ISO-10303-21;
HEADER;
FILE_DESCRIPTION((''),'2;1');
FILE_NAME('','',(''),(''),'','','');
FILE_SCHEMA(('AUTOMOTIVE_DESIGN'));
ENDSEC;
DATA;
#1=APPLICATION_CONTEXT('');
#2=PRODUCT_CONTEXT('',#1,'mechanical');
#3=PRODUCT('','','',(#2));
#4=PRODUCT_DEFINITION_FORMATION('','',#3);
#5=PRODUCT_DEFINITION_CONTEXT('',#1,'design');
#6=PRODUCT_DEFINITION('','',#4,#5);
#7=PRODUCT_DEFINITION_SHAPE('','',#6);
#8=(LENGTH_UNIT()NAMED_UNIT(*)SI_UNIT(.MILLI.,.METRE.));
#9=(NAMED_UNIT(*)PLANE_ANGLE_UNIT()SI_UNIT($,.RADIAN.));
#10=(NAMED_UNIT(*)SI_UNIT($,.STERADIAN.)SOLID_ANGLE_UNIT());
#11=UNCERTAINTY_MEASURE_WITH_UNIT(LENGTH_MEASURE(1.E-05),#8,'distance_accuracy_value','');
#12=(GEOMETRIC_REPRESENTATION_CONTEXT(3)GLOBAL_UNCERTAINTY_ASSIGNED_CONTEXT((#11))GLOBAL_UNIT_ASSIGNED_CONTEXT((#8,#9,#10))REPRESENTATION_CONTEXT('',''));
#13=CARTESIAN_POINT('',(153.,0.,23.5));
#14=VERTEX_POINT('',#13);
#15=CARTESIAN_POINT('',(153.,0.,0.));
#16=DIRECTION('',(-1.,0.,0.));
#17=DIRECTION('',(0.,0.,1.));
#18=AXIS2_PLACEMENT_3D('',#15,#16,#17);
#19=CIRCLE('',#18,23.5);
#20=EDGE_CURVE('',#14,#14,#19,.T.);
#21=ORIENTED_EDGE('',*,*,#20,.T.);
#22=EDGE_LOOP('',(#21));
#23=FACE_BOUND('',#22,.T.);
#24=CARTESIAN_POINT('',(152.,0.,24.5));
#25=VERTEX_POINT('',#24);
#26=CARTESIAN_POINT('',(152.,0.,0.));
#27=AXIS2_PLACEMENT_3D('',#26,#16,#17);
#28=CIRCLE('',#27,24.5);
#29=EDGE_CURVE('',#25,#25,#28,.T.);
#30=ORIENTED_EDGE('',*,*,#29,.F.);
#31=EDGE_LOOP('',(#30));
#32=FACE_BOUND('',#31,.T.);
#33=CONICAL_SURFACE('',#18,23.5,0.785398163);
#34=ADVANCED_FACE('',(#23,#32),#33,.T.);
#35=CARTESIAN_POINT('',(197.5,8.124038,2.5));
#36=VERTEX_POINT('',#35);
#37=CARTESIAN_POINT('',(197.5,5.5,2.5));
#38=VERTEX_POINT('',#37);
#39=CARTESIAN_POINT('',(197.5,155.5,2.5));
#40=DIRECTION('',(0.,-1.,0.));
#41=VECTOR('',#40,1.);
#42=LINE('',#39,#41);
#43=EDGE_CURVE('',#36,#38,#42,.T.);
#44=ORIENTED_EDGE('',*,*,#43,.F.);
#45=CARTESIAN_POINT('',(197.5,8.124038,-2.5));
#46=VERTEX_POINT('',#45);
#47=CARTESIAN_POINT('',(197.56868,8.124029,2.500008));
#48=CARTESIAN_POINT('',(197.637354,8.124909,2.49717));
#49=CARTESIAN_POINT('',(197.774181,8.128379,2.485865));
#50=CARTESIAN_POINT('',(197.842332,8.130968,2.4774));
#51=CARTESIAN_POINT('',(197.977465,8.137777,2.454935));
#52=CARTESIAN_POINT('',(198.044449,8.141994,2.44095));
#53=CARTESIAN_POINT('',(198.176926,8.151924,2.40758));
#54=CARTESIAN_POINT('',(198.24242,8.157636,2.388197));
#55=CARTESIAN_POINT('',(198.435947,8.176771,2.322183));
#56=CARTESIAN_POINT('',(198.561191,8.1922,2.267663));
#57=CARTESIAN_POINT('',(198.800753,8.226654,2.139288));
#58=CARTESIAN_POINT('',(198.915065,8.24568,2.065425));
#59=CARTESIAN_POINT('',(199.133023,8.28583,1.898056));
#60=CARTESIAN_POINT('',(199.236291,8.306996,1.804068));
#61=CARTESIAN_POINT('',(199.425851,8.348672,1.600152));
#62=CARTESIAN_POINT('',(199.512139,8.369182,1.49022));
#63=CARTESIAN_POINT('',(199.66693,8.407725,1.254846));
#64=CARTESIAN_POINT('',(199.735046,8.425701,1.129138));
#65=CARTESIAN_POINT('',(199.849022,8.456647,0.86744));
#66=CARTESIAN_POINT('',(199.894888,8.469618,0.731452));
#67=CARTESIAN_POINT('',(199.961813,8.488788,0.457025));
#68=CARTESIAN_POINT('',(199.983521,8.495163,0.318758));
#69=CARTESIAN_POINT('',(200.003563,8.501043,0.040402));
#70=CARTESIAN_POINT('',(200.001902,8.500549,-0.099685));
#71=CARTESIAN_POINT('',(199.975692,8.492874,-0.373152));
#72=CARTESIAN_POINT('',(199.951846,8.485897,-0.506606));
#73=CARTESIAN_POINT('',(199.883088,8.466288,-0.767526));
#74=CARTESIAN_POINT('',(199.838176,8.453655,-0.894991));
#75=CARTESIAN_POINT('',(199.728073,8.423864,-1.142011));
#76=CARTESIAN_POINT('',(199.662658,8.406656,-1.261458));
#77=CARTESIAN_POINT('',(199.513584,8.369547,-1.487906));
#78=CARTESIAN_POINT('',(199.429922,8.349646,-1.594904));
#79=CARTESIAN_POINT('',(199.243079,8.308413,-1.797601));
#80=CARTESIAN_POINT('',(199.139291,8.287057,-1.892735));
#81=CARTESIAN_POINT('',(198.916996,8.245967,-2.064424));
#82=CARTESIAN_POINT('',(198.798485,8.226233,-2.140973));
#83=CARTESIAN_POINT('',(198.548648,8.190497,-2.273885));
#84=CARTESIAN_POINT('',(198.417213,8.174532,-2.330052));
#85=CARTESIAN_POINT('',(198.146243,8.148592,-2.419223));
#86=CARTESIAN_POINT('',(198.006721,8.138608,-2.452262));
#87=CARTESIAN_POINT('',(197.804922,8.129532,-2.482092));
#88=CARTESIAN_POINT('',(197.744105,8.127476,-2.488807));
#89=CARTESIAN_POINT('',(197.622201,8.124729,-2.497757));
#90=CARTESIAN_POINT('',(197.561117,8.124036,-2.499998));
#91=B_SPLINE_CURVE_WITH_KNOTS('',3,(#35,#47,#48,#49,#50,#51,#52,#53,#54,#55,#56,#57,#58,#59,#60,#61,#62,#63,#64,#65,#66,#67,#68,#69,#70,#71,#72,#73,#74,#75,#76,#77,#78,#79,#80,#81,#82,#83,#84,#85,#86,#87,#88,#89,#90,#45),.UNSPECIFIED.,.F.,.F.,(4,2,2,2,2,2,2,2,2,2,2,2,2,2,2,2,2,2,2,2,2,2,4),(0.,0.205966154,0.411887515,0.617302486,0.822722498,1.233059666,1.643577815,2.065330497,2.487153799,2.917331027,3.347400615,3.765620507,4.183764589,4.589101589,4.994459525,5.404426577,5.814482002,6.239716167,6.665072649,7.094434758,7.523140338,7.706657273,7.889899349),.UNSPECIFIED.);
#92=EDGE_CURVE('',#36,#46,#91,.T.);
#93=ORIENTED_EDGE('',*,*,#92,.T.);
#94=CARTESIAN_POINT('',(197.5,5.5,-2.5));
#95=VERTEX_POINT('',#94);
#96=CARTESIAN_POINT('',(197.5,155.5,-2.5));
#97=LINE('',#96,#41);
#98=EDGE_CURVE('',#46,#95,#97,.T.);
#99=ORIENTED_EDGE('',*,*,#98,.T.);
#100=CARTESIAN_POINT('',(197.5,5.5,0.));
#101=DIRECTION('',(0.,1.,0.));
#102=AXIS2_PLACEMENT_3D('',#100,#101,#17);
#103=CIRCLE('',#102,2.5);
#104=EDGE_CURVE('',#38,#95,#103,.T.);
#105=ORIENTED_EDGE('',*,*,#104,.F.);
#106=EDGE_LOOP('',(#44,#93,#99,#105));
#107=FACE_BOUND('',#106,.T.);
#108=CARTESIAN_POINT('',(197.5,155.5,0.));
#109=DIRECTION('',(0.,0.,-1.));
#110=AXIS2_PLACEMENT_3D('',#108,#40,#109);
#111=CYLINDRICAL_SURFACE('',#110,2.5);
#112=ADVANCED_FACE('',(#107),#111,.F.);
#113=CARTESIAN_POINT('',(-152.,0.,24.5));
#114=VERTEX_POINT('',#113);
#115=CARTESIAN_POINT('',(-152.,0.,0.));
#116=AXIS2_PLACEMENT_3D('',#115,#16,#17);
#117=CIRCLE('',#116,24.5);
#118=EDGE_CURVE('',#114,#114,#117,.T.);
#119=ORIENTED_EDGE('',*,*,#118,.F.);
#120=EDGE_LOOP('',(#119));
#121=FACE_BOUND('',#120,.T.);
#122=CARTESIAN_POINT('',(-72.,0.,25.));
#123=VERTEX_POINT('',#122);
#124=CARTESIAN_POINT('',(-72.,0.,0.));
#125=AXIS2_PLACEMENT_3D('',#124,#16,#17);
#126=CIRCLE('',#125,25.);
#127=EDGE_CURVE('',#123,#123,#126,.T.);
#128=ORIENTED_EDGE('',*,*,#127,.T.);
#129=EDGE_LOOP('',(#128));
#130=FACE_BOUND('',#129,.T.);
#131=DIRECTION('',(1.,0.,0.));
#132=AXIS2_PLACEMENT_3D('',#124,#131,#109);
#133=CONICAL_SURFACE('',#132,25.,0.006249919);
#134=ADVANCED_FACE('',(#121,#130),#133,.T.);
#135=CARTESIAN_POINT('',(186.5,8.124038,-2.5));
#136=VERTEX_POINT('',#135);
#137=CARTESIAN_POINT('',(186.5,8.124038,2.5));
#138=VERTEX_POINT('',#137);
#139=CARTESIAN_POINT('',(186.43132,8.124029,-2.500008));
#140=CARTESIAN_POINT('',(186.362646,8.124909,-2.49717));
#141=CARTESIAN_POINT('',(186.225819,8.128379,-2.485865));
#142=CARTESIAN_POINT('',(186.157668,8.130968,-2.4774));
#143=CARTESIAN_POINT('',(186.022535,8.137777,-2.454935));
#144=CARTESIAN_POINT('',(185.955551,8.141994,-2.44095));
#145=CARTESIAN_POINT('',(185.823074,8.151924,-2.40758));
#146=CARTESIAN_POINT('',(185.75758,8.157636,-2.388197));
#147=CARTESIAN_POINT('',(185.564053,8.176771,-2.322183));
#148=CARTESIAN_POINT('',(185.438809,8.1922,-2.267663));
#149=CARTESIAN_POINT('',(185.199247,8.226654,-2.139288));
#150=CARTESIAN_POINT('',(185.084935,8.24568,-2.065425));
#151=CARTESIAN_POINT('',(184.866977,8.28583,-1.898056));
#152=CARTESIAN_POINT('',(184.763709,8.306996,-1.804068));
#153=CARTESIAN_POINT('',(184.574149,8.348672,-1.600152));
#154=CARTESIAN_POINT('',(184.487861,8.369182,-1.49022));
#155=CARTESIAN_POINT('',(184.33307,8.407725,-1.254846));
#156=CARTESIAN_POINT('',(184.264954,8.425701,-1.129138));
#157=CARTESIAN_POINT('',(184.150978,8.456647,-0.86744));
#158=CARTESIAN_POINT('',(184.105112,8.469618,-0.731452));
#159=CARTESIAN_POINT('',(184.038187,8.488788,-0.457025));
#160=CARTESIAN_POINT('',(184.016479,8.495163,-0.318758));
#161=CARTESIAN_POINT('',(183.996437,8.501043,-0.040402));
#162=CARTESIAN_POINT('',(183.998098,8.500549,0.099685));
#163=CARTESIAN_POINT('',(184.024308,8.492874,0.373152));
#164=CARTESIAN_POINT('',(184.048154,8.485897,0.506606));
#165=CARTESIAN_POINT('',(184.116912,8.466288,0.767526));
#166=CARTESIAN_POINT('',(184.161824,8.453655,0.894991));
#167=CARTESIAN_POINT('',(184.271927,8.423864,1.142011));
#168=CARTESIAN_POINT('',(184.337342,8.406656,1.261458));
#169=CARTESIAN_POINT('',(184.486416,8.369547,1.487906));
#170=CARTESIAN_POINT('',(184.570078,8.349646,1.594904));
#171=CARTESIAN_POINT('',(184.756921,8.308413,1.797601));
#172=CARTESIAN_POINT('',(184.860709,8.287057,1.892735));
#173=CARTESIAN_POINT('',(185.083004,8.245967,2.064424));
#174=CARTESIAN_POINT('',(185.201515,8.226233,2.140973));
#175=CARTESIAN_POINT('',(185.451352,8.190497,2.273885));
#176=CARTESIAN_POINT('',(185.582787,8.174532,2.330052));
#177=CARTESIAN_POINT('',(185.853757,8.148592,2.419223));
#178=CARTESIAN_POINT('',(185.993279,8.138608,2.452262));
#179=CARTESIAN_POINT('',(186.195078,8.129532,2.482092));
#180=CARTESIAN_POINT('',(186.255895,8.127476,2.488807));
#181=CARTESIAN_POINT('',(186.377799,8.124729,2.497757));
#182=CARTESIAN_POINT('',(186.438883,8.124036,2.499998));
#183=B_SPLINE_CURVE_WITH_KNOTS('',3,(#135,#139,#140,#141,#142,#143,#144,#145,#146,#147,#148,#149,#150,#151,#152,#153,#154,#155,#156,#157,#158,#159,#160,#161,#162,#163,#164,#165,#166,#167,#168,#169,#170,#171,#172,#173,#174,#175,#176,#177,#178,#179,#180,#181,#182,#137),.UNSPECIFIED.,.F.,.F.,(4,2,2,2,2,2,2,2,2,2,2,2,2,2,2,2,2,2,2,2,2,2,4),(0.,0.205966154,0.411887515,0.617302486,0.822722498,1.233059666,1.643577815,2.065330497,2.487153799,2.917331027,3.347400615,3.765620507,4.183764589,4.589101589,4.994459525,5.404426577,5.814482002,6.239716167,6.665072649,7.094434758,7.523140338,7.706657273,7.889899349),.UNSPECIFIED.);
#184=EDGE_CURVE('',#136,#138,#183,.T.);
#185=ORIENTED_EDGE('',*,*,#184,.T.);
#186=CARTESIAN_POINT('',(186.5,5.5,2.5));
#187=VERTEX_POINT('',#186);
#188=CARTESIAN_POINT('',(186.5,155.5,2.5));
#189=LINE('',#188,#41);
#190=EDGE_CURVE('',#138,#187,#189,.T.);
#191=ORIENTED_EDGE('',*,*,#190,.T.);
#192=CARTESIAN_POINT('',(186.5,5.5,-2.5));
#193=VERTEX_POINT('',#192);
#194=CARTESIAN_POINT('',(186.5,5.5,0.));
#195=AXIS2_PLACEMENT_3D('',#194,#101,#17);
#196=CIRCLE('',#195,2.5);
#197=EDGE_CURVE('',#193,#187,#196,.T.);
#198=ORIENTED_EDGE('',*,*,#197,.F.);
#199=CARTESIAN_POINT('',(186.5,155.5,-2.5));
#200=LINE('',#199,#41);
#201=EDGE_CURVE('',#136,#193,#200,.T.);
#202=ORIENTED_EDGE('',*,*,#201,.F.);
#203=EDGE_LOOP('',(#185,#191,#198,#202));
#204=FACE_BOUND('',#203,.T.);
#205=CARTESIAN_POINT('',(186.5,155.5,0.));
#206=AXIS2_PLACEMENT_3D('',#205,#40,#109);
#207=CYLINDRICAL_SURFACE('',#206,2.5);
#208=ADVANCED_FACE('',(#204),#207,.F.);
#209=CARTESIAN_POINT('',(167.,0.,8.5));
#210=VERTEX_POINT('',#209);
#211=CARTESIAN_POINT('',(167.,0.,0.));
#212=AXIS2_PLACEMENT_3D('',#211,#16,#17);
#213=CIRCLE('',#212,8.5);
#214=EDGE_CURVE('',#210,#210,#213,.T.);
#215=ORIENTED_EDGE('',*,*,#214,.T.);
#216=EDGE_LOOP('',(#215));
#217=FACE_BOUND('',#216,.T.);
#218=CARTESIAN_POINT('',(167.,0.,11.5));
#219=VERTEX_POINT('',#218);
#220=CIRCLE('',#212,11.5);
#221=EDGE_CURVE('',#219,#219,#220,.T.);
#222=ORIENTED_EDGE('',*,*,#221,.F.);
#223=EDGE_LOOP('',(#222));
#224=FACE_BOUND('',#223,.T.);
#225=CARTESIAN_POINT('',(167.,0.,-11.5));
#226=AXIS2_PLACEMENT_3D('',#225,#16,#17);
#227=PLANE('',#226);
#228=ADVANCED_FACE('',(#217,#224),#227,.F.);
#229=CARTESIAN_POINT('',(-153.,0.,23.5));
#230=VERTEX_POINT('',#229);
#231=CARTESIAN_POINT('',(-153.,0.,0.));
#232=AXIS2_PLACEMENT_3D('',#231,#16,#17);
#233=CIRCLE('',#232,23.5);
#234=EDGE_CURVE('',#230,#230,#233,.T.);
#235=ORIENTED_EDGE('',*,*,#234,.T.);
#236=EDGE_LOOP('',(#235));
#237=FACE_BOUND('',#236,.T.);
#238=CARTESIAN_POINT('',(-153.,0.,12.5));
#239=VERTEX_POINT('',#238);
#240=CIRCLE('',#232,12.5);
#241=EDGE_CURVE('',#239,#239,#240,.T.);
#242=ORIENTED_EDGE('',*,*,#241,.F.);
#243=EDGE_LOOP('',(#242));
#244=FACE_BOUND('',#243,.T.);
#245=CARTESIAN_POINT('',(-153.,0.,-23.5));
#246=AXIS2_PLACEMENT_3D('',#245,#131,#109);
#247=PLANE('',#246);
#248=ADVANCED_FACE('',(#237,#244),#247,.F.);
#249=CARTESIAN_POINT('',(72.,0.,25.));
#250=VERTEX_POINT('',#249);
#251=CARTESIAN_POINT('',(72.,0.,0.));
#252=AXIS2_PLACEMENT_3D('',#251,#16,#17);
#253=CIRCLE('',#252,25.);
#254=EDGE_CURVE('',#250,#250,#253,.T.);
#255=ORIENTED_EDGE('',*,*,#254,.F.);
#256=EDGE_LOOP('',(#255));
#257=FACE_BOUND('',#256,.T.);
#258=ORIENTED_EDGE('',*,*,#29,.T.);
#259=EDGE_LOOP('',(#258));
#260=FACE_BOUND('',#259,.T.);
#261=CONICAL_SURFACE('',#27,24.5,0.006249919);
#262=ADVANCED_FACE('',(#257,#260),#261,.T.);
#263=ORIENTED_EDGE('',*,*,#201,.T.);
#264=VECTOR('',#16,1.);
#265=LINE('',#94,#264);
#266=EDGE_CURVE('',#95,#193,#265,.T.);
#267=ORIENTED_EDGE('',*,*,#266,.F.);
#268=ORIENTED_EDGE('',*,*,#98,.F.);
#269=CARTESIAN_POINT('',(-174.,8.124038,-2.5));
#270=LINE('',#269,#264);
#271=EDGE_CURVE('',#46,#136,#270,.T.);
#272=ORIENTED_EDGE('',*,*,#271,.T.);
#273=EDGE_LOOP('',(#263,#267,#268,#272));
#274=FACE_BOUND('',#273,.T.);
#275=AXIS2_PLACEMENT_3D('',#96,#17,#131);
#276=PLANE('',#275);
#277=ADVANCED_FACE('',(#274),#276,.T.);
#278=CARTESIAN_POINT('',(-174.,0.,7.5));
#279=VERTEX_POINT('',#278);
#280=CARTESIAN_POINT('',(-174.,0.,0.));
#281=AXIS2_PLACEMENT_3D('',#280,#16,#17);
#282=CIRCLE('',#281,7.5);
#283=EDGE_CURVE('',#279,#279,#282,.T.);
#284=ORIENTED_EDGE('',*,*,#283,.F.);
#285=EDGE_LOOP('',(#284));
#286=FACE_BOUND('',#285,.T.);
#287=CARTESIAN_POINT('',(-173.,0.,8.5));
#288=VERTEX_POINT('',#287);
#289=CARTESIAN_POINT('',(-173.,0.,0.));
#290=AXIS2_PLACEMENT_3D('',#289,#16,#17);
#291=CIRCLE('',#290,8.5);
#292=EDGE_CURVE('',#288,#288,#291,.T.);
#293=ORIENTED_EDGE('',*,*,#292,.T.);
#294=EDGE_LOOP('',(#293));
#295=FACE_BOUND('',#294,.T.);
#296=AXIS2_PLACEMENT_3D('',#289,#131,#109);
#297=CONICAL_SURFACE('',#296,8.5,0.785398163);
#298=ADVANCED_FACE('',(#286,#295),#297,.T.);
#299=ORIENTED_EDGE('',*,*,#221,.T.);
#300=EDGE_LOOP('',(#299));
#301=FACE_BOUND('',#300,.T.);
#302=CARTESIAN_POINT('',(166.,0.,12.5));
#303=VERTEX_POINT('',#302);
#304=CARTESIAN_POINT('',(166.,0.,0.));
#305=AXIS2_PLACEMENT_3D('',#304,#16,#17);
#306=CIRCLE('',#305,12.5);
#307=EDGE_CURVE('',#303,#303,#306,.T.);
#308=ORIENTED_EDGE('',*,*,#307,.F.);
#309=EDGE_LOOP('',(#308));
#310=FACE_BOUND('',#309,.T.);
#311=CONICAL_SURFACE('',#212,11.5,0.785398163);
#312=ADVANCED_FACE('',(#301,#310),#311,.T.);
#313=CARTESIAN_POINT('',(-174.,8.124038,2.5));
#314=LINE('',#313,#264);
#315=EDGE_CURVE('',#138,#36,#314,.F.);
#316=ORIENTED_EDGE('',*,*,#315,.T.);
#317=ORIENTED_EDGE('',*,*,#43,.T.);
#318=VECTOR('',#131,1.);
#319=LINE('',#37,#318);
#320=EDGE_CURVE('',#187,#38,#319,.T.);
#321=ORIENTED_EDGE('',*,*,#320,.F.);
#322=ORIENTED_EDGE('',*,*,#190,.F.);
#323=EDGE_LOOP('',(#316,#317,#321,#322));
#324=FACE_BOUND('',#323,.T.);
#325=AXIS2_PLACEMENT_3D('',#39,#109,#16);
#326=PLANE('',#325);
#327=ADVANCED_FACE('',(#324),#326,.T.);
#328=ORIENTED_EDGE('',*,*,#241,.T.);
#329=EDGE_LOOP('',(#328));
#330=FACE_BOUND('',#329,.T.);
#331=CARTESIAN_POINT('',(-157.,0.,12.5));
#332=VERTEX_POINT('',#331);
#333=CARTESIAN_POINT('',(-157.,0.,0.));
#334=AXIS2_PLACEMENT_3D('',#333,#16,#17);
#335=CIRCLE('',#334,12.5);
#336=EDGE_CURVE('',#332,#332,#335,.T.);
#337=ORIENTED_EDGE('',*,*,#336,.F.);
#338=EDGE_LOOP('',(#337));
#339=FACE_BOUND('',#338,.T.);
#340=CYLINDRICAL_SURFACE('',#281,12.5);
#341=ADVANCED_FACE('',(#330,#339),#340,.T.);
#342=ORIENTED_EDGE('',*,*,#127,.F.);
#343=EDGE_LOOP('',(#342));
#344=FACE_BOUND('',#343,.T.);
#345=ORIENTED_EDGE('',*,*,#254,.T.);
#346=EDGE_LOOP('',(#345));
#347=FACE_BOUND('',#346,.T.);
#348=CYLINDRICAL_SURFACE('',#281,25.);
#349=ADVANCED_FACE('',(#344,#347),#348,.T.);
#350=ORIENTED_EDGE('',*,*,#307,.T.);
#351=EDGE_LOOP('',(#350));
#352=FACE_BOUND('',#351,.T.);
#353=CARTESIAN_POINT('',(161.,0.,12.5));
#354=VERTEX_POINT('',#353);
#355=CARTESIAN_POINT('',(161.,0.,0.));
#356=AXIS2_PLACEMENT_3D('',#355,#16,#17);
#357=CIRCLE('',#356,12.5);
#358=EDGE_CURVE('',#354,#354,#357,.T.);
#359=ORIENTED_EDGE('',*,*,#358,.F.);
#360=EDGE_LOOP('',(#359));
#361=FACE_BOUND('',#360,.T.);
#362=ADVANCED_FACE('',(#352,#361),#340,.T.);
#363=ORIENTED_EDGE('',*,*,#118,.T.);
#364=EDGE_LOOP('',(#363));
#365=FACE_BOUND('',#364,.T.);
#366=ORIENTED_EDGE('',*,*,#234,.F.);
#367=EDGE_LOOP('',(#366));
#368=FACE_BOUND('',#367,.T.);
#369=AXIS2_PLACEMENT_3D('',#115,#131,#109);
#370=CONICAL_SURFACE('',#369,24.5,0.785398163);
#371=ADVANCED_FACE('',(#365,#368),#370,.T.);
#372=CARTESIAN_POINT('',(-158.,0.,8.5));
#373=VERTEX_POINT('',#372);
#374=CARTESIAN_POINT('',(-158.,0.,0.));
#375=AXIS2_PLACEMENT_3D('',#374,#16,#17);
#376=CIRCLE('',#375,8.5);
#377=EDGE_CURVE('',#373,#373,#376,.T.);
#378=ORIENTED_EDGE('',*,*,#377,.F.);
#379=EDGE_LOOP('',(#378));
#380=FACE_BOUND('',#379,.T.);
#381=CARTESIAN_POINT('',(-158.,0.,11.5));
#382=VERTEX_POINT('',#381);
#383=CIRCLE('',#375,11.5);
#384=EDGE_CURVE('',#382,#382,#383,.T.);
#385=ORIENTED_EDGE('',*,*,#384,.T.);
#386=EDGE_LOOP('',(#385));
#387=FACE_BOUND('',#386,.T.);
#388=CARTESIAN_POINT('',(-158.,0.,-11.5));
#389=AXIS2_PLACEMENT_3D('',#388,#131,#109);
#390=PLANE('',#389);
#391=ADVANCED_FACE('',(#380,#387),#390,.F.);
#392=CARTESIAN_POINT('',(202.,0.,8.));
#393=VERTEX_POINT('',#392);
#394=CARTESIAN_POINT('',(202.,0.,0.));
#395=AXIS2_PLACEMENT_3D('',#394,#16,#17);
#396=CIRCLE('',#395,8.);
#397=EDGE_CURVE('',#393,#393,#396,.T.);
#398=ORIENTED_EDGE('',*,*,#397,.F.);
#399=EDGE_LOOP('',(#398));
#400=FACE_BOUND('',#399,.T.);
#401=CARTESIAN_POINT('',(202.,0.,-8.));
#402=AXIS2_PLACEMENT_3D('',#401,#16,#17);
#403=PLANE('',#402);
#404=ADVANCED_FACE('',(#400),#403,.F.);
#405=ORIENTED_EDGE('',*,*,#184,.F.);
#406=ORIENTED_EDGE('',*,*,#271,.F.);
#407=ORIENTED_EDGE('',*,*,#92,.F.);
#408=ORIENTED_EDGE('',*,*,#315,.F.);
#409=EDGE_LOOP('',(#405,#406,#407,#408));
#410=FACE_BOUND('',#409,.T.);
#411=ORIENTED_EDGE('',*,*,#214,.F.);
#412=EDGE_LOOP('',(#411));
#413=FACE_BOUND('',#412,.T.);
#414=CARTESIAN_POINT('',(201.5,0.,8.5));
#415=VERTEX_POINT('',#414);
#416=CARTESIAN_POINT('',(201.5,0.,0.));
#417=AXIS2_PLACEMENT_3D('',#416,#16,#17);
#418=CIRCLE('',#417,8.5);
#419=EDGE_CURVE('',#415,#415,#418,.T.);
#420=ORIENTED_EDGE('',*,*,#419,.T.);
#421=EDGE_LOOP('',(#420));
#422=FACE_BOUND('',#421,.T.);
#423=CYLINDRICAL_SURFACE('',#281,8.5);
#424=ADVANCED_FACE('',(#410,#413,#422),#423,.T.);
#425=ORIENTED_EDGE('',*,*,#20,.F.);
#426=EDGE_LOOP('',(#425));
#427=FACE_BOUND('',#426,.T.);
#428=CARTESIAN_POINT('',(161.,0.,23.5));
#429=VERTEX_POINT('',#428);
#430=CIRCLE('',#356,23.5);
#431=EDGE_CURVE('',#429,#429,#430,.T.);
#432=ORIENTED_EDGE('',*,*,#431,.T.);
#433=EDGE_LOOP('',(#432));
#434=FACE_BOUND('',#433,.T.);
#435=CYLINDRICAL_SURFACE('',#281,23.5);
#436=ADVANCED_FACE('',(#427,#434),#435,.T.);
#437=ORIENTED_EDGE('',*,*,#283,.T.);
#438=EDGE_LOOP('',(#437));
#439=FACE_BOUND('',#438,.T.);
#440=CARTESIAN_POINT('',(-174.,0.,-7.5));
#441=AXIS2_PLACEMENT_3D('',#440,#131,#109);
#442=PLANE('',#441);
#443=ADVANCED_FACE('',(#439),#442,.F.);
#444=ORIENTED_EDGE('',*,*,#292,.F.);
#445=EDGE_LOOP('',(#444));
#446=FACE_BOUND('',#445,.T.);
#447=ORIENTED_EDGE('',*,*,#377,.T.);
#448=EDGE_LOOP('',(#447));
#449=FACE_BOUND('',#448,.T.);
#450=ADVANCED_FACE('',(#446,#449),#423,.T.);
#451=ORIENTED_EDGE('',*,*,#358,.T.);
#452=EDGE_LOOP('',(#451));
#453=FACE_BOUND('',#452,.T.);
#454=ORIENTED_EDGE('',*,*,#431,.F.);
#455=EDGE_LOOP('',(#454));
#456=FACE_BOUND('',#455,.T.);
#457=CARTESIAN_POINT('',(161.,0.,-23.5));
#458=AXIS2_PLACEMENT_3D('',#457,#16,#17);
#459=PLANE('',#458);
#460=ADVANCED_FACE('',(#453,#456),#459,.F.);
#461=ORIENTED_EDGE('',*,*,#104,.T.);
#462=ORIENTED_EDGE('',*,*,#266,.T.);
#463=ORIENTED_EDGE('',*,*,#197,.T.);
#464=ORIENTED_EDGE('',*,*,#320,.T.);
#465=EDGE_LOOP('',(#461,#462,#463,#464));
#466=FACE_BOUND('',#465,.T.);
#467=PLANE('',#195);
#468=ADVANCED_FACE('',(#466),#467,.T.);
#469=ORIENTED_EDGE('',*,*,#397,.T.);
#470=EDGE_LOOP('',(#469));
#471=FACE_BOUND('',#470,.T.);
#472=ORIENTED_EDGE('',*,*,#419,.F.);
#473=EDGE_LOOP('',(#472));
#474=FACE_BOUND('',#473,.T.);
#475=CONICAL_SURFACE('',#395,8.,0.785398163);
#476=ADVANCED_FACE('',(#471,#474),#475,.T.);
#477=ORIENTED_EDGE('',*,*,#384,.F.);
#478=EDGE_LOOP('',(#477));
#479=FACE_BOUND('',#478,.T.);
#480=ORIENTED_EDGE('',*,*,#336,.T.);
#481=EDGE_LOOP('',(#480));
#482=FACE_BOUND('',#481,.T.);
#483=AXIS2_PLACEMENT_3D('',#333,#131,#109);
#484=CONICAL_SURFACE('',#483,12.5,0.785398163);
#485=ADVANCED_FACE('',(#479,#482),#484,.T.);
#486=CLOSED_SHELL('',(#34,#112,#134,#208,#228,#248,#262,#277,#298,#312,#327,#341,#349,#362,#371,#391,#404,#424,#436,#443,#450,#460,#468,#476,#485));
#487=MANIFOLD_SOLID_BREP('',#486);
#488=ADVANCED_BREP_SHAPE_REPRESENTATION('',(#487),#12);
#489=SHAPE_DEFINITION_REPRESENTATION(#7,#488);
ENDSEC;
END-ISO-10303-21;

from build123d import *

# Parameters (mm, degrees)
EXTRUDE1_DEPTH = 150


with BuildPart() as part:
    # Sketch1 → Revolve1 (revolve)
    with BuildSketch(Plane(origin=(0, 0, 0), x_dir=(1, 0, 0), z_dir=(0, 1, 0)), mode=Mode.PRIVATE) as revolve1_sk:
        Polygon((-72, 25), (72, 25), (152, 24.5), (153, 23.5), (161, 23.5), (161, 12.5), (166, 12.5), (167, 11.5), (167, 8.5), (201.5, 8.5), (202, 8), (202, 0), (-174, 0), (-174, 7.5), (-173, 8.5), (-158, 8.5), (-158, 11.5), (-157, 12.5), (-153, 12.5), (-153, 23.5), (-152, 24.5), align=None)
    revolve(revolve1_sk.sketch.rotate(Axis((-174, 0, 0), (1, 0, 0)), 180), axis=Axis((-174, 0, 0), (1, 0, 0)))  # turned: the seam where the file's is

    # Sketch2 → Extrude1 (cut)
    with BuildSketch(Plane(origin=(0, 5.5, 0), x_dir=(-1, 0, 0), z_dir=(0, 1, 0))):
        with BuildLine():
            Line((-197.5, 2.5), (-186.5, 2.5))
            ThreePointArc((-186.5, 2.5), (-184, 0), (-186.5, -2.5))
            Line((-186.5, -2.5), (-197.5, -2.5))
            ThreePointArc((-197.5, -2.5), (-200, 0), (-197.5, 2.5))
        make_face()
    extrude(amount=EXTRUDE1_DEPTH, mode=Mode.SUBTRACT)


solid = part.part
